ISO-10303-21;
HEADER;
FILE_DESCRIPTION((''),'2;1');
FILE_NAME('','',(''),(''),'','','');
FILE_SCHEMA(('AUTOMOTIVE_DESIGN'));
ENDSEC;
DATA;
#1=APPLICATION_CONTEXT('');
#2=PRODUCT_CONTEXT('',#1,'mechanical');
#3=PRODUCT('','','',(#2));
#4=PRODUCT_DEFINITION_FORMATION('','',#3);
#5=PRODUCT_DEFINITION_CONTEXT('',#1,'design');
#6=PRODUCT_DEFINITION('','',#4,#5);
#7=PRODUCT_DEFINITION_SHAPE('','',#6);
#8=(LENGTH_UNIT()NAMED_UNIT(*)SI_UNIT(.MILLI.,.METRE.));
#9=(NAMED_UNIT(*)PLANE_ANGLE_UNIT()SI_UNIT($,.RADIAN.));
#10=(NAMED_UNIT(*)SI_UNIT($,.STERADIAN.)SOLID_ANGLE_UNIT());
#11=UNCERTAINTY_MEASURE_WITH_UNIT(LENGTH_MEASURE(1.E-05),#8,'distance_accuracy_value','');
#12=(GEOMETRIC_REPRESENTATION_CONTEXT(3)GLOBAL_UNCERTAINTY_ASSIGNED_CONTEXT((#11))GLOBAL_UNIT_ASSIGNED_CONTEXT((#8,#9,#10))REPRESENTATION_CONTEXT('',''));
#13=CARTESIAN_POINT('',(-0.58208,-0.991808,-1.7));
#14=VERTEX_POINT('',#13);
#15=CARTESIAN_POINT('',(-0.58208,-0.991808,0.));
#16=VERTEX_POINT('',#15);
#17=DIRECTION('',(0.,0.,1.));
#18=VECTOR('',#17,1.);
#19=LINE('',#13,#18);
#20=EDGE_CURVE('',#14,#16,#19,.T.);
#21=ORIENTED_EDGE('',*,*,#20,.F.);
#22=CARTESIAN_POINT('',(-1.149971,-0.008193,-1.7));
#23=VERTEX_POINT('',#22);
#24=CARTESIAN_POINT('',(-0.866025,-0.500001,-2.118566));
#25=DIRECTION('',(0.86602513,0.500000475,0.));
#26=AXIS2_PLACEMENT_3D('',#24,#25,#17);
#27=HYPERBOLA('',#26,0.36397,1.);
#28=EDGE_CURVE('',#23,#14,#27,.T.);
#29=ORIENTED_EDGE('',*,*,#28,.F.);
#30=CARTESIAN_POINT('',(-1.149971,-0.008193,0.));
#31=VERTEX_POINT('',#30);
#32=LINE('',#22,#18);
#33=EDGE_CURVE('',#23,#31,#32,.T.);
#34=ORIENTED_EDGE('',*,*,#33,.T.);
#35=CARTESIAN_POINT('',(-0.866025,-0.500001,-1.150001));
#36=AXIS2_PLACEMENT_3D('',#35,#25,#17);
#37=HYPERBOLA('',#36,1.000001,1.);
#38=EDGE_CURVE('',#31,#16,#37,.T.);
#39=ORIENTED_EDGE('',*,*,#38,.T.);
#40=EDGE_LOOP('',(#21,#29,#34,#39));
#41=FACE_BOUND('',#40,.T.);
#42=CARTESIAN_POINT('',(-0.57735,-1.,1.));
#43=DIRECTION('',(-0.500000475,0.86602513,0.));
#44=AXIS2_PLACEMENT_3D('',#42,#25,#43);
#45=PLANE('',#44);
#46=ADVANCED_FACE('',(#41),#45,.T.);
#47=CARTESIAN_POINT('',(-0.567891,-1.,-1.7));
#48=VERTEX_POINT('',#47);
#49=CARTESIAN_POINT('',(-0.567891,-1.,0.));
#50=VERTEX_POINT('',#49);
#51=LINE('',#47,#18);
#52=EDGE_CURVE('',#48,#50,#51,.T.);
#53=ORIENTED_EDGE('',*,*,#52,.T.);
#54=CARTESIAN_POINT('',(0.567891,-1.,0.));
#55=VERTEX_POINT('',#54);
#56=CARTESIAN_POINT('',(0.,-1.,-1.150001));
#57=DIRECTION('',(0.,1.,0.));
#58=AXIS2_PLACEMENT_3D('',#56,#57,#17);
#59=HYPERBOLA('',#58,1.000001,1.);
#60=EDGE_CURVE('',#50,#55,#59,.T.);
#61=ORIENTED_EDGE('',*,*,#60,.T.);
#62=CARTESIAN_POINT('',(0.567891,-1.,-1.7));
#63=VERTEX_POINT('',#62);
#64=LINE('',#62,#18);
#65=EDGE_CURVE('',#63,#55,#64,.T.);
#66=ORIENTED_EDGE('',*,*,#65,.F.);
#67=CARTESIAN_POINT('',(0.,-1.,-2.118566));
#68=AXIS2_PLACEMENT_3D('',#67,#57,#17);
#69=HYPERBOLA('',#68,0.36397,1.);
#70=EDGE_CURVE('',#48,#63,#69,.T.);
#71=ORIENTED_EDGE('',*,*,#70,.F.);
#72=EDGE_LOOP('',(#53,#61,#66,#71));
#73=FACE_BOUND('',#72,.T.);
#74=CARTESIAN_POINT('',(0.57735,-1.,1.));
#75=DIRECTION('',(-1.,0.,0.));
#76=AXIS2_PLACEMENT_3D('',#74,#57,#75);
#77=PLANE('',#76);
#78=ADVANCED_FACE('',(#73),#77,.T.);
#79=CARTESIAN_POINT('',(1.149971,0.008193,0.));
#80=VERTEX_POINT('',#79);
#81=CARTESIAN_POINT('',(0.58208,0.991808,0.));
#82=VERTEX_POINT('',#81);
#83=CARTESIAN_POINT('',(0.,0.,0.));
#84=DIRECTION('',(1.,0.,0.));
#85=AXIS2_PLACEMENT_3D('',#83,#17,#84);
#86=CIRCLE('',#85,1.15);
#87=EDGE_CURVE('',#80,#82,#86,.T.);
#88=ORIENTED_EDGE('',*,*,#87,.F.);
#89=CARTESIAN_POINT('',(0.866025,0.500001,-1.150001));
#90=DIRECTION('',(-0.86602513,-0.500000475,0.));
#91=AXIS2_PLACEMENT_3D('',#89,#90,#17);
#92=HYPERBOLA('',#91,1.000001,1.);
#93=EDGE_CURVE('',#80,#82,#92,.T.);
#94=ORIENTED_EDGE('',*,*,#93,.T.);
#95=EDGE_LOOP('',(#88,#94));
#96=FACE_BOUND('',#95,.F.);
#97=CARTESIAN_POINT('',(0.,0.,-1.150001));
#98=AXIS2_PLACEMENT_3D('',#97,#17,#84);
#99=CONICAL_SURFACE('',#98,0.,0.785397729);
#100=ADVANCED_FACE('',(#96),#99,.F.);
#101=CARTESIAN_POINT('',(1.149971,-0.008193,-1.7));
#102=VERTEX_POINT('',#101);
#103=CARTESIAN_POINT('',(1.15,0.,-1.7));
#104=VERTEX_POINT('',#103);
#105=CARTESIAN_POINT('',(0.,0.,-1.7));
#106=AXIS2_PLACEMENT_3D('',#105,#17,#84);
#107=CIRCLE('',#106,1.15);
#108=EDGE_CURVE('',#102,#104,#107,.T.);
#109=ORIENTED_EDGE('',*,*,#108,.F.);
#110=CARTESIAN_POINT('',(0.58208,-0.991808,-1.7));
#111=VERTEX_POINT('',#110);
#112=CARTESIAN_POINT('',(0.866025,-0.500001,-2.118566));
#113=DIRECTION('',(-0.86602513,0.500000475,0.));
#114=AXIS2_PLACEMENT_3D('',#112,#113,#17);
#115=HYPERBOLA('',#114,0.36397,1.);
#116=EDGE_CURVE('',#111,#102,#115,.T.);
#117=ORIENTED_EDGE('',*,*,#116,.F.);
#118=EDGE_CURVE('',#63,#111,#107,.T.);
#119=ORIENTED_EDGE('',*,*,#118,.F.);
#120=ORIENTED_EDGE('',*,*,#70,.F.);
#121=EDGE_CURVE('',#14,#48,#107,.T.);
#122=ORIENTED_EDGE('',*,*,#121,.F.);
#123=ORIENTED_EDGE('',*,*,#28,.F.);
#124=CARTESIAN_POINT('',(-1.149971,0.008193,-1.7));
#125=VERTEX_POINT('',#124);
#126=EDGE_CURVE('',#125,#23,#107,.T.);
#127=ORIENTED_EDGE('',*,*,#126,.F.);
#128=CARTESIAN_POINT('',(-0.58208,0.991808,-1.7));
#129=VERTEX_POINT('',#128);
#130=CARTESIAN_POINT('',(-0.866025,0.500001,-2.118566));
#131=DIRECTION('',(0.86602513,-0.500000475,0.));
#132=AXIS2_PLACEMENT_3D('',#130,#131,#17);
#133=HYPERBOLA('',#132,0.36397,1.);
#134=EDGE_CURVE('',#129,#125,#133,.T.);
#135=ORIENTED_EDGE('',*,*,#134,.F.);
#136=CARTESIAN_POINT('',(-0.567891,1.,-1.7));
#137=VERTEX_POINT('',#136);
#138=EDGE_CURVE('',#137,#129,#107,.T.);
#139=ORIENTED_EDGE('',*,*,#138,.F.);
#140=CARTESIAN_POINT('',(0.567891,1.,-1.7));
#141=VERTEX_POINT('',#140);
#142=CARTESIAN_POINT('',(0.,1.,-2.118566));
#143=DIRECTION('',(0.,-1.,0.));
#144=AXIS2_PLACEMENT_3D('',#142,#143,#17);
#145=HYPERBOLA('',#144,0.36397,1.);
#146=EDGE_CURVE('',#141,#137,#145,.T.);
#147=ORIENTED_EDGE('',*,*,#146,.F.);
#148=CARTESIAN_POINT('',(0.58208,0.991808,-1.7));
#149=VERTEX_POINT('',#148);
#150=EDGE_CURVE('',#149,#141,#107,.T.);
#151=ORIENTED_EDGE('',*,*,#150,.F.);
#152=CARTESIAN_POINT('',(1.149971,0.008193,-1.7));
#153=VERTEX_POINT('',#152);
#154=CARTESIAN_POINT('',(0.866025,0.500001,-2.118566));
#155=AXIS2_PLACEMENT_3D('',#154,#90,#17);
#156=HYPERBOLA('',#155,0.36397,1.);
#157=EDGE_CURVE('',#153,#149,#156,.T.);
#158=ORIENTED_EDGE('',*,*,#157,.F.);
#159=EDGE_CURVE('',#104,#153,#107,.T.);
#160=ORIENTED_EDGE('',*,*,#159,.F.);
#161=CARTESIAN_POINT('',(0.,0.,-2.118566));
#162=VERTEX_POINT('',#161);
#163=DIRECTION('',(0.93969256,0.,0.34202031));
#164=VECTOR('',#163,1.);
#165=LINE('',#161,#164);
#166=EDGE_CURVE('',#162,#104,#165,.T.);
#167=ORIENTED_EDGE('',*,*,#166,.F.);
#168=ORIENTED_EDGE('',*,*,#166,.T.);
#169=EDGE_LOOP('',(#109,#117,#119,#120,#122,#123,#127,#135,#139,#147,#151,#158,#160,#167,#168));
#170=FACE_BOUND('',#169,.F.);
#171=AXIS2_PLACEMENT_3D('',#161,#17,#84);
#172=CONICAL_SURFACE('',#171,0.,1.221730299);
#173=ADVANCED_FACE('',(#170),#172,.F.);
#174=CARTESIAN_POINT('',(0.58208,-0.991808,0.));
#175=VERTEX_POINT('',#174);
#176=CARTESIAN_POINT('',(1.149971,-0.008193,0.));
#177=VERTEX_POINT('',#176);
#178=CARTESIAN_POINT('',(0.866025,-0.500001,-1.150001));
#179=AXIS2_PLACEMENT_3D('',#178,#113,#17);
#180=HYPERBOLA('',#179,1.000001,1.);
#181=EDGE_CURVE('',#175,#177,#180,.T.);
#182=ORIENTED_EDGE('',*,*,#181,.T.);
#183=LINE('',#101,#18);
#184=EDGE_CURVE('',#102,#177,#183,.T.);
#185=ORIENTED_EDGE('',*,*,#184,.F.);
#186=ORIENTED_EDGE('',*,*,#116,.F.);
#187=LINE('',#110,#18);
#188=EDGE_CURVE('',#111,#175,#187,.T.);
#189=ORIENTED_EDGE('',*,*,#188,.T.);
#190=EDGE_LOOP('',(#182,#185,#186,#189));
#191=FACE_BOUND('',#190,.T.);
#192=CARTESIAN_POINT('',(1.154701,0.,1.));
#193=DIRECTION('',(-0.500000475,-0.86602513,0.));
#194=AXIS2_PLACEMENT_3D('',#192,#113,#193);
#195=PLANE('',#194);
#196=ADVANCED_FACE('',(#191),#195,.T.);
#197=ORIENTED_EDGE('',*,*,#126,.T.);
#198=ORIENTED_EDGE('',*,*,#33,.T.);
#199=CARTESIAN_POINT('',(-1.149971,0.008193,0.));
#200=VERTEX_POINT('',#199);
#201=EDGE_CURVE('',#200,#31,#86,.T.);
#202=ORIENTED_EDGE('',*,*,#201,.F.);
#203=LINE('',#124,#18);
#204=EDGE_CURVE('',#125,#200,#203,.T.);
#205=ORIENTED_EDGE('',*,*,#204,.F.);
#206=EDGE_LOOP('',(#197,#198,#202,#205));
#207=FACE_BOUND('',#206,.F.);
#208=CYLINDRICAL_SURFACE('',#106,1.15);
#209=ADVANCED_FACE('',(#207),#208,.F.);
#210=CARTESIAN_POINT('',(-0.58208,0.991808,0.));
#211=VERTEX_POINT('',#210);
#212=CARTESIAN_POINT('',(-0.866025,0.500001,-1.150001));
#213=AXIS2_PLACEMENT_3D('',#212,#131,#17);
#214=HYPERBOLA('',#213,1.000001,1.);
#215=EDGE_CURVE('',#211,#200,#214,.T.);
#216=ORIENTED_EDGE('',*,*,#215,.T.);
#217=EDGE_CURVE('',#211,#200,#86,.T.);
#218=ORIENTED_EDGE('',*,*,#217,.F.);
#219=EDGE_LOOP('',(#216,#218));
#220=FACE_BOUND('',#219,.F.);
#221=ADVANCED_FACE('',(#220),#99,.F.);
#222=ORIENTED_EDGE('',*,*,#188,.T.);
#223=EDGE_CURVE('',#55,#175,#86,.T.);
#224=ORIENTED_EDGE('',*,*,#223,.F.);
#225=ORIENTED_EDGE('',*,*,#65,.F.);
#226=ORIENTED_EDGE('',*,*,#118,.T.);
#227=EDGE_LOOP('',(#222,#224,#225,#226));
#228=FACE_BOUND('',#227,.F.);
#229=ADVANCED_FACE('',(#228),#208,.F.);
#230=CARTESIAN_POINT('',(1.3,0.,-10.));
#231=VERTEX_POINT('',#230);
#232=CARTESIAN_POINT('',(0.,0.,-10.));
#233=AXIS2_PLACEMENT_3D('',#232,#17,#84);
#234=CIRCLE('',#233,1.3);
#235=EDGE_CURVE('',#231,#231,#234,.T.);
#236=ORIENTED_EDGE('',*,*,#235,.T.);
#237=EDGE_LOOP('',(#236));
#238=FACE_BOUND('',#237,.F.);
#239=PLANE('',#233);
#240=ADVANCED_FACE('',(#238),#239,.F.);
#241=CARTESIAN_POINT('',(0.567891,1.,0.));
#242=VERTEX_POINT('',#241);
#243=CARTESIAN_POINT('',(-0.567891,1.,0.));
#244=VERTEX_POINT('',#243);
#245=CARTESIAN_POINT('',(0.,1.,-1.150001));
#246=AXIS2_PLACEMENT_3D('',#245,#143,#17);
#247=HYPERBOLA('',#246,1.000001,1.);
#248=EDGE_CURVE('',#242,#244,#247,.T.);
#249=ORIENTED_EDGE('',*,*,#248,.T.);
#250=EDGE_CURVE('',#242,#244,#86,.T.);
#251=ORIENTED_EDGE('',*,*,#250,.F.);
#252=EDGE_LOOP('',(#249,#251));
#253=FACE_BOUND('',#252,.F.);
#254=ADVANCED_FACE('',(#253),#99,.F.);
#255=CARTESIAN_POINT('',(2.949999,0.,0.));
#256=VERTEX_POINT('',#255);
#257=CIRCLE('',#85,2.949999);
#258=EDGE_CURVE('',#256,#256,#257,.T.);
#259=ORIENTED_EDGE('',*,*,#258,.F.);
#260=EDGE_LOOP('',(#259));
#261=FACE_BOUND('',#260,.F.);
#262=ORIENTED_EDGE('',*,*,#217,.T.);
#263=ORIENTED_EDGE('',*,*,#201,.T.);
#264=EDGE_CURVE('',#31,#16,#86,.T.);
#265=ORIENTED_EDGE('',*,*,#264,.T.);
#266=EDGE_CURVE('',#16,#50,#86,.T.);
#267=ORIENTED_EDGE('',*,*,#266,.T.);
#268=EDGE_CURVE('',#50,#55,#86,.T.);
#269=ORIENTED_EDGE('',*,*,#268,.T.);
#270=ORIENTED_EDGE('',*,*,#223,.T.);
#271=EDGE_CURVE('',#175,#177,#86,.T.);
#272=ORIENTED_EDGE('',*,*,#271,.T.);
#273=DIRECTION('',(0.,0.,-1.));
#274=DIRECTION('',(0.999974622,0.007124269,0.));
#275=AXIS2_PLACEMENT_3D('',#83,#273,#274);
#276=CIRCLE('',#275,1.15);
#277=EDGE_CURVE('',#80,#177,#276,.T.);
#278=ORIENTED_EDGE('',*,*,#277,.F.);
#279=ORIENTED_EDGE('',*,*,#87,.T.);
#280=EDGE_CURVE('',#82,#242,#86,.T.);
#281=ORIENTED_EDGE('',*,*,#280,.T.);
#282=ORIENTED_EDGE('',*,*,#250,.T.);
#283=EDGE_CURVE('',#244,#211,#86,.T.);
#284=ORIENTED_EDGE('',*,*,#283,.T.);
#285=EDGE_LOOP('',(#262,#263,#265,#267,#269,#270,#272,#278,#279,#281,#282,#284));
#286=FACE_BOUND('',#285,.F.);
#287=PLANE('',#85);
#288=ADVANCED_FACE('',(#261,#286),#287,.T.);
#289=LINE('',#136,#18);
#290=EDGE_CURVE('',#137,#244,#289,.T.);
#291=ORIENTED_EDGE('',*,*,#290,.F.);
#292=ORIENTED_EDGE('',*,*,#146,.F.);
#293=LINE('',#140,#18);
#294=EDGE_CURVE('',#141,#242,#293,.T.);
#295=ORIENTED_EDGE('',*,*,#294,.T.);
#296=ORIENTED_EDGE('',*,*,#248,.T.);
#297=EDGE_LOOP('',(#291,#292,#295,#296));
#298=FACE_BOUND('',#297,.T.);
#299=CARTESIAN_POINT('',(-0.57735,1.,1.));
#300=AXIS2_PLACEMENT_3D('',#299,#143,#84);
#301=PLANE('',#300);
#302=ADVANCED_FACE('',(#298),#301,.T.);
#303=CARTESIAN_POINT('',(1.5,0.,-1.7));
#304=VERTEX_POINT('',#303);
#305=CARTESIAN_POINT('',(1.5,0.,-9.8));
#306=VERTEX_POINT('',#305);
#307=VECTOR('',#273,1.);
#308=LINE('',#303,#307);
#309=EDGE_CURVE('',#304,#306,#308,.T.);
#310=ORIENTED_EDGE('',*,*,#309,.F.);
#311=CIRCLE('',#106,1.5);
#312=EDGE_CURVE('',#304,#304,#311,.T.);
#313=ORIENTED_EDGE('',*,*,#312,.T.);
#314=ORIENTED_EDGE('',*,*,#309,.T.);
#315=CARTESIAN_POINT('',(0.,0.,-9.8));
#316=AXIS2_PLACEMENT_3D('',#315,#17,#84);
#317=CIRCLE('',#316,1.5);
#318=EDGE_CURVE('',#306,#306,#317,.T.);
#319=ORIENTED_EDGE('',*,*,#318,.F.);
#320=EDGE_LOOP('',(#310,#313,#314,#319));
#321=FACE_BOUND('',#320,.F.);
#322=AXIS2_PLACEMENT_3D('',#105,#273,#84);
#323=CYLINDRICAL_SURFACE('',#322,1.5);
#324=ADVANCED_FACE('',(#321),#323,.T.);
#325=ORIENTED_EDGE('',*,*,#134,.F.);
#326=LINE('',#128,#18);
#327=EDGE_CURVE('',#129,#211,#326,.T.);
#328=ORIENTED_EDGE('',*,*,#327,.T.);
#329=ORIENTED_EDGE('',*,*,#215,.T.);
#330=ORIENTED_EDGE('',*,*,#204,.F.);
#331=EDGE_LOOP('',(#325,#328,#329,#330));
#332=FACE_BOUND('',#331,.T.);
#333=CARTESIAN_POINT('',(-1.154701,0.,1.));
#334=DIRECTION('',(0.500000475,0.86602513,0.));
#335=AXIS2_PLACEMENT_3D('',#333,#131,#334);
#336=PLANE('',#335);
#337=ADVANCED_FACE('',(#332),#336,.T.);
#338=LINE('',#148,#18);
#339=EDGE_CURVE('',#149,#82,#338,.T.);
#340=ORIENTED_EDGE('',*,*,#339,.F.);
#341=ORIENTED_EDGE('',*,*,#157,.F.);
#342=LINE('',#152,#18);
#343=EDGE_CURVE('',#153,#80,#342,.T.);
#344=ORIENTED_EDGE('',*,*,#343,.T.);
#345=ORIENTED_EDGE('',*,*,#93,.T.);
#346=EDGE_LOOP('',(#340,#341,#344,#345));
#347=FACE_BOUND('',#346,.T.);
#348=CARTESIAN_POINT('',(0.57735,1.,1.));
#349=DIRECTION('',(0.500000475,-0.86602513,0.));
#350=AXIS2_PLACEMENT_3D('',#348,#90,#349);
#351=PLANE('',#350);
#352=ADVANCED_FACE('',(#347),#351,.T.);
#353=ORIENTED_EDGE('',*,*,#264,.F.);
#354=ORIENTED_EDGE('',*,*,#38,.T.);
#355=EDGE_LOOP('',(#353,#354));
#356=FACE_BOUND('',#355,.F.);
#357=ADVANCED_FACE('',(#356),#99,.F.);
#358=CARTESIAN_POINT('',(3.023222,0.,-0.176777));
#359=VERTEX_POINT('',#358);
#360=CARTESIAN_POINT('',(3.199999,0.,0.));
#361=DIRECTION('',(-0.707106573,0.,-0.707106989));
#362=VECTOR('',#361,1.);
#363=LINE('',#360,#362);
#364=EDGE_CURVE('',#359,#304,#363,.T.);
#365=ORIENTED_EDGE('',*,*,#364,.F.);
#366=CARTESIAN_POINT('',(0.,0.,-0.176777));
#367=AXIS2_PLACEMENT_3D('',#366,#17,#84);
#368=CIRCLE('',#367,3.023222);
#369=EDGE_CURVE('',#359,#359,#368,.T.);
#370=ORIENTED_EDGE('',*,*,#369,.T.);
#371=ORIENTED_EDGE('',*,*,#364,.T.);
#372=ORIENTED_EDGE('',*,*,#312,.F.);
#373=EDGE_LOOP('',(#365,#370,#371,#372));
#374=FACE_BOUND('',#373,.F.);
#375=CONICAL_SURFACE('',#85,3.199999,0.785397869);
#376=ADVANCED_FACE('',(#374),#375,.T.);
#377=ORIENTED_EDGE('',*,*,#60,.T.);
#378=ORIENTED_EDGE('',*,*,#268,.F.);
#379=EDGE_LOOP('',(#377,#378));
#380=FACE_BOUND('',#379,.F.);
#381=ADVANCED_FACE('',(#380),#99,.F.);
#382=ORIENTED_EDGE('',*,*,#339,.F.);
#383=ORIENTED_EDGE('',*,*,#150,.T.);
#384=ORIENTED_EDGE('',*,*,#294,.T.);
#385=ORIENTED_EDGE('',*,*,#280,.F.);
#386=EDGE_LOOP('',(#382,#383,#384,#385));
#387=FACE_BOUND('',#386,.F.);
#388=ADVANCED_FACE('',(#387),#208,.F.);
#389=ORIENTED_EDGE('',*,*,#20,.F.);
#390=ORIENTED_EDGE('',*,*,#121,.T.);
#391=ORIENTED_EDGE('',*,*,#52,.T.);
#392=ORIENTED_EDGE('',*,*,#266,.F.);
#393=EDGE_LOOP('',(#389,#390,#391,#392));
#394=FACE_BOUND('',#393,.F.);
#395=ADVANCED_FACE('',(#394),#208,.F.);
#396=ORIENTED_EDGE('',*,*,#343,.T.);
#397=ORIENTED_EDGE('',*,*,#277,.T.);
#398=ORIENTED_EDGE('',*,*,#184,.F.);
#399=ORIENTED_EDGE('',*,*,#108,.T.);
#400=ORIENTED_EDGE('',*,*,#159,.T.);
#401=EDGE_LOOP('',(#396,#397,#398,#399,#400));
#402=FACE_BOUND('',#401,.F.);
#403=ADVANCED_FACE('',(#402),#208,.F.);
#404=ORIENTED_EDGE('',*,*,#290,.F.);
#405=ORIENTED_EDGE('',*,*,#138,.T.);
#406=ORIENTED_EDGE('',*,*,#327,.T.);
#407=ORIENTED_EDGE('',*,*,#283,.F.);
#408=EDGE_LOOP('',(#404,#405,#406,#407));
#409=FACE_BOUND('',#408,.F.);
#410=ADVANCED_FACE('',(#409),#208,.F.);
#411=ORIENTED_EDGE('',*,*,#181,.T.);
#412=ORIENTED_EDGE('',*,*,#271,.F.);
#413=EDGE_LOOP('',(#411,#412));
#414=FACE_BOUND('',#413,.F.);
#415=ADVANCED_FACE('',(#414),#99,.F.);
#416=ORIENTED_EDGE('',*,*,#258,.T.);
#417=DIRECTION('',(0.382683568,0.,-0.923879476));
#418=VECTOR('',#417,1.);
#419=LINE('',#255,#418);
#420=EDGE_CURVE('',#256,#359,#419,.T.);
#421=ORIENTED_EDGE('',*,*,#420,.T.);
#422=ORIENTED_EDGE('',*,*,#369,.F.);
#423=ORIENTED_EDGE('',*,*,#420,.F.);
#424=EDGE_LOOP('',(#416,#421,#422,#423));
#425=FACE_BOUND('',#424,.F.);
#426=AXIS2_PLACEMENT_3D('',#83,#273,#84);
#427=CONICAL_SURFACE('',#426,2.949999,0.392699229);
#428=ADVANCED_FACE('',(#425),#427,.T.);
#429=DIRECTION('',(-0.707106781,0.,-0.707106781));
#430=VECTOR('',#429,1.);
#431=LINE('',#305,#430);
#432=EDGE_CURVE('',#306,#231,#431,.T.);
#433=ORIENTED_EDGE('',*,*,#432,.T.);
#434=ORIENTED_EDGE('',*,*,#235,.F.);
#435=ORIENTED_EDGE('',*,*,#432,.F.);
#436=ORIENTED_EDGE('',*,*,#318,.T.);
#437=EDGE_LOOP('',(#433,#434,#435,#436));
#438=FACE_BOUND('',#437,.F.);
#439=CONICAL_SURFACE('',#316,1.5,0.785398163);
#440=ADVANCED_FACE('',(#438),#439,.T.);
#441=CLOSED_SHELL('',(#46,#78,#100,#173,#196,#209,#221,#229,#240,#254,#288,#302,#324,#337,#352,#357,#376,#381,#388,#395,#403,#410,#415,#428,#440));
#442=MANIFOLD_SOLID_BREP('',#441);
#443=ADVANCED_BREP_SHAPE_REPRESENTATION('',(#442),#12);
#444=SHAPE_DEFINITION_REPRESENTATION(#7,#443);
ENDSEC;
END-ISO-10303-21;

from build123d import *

# Parameters (mm, degrees)
SKETCH001_R     = 2.15
POCKET_DEPTH    = 3.119566
CHAMFER_SIZE    = 0.25
CHAMFER001_SIZE = 0.2


with BuildPart() as pocket:
    # Sketch003 → Revolution001 (revolve)
    with BuildSketch(Plane.XZ):
        Polygon((0, -2.118566), (1.15, -1.7), (1.15, 1), (0, 1), align=None)
    revolve(axis=Axis((0, 0, 0), (0, 0, 1)))

    # Sketch001 → Pocket (cut, through all)
    with BuildSketch(Plane(origin=(0, 0, 1), x_dir=(-1, 0, 0), z_dir=(0, 0, 1))):
        Circle(SKETCH001_R)
        Polygon((-0.57735, 1), (0.57735, 1), (1.154701, 0), (0.57735, -1), (-0.57735, -1), (-1.154701, 0), align=None, mode=Mode.SUBTRACT)
    extrude(amount=-POCKET_DEPTH, mode=Mode.SUBTRACT)


with BuildPart() as chamfer001:
    # Sketch → Revolution (revolve)
    with BuildSketch(Plane.XZ):
        Polygon((1.15, 0), (3.199999, 0), (1.5, -1.7), (1.5, -10), (0, -10), (0, -1.150001), align=None)
    revolve(axis=Axis((0, 0, 0), (0, 0, 1)))

    # Cut: cut Pocket
    add(pocket.part, mode=Mode.SUBTRACT)

    # Chamfer
    chamfer_edges = [chamfer001.edges().sort_by_distance(p)[0] for p in [
        (-3.199999, 0, 0),
    ]]
    chamfer(chamfer_edges, length=CHAMFER_SIZE)

    # Chamfer001
    chamfer001_edges = [chamfer001.edges().sort_by_distance(p)[0] for p in [
        (-1.5, 0, -10),
    ]]
    chamfer(chamfer001_edges, length=CHAMFER001_SIZE)


solid = chamfer001.part
